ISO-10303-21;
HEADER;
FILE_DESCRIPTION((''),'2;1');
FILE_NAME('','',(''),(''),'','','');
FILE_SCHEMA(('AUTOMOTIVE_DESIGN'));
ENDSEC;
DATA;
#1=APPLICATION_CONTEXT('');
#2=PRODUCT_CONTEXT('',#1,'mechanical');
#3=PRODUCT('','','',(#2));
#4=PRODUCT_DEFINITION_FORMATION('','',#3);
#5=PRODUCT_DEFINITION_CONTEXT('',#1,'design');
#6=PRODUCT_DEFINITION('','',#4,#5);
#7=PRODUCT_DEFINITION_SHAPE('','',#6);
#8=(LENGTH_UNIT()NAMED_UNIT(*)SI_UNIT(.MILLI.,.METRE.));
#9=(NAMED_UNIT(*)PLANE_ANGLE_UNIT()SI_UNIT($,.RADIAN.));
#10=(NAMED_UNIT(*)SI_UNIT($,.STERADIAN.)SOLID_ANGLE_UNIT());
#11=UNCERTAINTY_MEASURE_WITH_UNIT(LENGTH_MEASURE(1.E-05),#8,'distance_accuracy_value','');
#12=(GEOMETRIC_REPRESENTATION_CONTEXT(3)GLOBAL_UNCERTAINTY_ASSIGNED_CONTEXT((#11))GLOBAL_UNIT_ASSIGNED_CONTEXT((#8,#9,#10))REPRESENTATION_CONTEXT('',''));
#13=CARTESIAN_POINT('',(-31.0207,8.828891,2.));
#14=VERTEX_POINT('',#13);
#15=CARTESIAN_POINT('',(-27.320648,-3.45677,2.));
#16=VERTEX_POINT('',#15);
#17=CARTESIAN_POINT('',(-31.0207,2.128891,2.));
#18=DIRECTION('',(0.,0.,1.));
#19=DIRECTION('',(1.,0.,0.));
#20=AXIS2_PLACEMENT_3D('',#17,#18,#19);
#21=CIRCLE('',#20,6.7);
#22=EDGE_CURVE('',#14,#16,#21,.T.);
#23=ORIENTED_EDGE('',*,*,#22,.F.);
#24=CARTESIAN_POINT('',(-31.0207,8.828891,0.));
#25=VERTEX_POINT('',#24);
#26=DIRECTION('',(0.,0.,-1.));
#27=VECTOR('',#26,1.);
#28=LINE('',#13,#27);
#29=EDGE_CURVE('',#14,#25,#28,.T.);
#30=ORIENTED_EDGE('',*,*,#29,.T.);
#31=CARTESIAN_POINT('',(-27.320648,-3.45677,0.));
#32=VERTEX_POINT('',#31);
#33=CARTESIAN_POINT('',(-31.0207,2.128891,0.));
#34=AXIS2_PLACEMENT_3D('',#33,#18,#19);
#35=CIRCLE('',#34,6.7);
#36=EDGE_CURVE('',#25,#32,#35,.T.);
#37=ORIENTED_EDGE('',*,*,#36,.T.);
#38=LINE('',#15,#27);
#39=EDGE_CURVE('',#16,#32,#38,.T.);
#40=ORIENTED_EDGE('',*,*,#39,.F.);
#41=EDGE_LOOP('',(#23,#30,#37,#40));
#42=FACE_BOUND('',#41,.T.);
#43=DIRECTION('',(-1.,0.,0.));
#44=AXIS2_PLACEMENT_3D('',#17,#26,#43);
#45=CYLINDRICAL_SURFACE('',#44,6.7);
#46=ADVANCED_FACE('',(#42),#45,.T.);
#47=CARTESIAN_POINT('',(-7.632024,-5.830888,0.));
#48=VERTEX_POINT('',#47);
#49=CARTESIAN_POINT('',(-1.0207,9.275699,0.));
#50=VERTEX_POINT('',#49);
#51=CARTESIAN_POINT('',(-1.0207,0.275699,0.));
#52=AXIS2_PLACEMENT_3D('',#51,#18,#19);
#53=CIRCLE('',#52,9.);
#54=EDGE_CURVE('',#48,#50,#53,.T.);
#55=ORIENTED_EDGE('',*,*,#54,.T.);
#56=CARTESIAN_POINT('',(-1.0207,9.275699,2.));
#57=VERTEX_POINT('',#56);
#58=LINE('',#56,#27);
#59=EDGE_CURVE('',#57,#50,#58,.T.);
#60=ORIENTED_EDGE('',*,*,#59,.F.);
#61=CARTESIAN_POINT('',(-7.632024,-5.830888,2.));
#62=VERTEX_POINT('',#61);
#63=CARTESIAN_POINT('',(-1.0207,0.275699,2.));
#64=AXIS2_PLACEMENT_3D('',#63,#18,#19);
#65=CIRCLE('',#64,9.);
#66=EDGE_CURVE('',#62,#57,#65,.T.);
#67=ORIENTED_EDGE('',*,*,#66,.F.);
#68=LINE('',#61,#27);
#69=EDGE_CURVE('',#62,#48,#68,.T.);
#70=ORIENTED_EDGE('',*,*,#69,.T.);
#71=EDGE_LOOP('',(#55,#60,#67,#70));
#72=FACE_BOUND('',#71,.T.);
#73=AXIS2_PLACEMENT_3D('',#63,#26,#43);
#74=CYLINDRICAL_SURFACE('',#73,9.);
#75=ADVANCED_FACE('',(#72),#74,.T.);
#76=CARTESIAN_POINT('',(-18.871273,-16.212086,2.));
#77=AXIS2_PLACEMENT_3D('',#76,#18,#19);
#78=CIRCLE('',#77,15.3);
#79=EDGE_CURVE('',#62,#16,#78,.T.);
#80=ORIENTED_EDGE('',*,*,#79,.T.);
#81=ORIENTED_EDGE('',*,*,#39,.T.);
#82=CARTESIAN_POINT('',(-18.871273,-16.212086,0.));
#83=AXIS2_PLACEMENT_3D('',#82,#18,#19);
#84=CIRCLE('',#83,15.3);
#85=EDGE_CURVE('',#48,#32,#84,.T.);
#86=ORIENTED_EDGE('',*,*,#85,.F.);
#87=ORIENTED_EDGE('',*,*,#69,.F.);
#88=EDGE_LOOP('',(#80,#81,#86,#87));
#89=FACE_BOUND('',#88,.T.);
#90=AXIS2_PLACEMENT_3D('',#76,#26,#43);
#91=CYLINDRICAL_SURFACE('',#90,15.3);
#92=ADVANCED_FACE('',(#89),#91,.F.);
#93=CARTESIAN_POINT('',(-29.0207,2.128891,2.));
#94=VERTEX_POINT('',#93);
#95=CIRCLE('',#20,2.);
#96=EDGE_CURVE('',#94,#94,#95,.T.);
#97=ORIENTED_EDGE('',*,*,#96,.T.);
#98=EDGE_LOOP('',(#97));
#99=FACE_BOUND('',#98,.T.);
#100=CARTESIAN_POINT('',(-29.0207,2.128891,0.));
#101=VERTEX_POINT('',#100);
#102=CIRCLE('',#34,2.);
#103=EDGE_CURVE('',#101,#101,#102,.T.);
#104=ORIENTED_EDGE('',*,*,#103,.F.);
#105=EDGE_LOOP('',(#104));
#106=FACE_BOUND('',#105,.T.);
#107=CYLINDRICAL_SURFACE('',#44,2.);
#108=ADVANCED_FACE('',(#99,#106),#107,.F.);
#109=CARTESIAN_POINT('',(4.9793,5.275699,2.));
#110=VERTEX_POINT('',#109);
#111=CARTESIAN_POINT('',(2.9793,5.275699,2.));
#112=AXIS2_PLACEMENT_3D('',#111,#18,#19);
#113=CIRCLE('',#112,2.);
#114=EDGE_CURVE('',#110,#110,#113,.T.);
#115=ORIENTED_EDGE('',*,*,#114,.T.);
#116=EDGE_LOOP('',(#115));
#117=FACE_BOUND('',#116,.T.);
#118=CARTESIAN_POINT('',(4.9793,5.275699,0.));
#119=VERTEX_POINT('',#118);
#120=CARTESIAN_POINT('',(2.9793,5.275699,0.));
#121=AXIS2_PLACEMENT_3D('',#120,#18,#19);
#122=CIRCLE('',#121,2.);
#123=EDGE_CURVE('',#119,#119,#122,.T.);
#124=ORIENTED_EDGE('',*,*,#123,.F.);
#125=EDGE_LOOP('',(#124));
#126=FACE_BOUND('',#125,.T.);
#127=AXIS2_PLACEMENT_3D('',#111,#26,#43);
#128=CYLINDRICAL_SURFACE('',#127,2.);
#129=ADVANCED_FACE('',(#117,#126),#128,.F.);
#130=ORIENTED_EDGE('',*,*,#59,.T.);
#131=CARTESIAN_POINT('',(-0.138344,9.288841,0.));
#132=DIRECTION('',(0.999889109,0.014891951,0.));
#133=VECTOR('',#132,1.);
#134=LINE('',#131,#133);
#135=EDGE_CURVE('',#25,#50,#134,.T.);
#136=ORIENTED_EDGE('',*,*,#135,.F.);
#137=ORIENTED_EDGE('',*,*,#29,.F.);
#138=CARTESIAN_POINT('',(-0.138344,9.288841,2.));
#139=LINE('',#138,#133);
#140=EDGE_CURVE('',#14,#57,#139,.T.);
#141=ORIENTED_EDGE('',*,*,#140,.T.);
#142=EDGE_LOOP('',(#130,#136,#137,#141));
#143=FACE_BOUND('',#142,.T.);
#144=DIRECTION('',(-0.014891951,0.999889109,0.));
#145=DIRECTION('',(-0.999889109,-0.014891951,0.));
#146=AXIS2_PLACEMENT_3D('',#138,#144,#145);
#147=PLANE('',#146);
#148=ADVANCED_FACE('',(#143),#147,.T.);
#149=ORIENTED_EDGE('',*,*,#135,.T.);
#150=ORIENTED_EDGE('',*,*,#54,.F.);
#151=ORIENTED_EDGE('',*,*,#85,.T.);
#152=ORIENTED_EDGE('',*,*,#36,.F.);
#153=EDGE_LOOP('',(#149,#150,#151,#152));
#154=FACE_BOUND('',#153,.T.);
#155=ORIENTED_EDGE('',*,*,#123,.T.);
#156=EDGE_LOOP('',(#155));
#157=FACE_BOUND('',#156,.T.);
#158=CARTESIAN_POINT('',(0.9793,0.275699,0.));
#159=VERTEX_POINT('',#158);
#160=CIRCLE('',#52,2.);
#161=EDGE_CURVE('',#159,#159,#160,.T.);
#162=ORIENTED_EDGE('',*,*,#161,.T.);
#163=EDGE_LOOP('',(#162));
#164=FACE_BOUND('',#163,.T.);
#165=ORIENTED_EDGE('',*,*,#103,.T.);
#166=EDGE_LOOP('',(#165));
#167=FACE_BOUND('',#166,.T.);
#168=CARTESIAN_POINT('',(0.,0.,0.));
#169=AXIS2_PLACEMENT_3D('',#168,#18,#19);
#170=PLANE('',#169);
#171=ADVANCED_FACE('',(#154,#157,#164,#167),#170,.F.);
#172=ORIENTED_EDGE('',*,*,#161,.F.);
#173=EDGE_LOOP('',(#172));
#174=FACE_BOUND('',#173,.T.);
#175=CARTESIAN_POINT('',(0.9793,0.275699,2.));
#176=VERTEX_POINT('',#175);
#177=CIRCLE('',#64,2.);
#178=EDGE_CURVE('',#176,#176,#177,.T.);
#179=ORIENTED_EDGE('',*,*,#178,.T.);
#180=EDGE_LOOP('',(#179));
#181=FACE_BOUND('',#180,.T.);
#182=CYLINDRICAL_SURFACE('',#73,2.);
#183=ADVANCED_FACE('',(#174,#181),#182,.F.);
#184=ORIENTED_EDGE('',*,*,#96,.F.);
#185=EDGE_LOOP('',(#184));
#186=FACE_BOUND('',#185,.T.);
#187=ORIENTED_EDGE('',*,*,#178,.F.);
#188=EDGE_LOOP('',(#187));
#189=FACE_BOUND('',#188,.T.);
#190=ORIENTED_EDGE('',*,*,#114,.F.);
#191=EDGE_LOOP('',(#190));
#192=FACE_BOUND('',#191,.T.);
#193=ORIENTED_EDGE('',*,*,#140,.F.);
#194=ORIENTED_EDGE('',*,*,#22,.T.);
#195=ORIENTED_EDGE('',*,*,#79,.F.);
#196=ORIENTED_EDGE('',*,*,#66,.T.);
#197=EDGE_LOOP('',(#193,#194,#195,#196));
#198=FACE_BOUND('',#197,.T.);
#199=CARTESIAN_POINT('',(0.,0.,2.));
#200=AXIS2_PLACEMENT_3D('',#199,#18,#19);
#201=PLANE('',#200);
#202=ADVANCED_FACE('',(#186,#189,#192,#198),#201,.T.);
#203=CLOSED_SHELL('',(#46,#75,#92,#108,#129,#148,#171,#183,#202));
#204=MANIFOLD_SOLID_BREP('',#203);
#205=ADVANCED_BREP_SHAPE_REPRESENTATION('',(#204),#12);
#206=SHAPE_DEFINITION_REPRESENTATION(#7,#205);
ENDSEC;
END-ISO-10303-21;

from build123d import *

# Parameters (mm, degrees)
SKETCH1_R           = 2
BOSS_EXTRUDE1_DEPTH = 2


with BuildPart() as part:
    # Sketch1 → Boss-Extrude1 (new body)
    with BuildSketch(Plane.XY):
        with BuildLine():
            Line((-1.2887257, 9.27170727), (-31.0207003, 8.828891045))
            ThreePointArc((-31.0207003, 8.828891045), (-37.4360697, 0.196784564), (-27.320647525, -3.456770014))
            ThreePointArc((-27.320647525, -3.456770014), (-17.039618289, -1.022120458), (-7.632023625, -5.830887792))
            ThreePointArc((-7.632023625, -5.830887792), (7.224276423, -3.332674299), (-1.0207003, 9.275699134))
            Line((-1.0207003, 9.275699134), (-1.2887257, 9.27170727))
        make_face()
        with Locations((-31.0207003, 2.128891045)):
            Circle(SKETCH1_R, mode=Mode.SUBTRACT)
        with Locations((-1.0207003, 0.275699134)):
            Circle(SKETCH1_R, mode=Mode.SUBTRACT)
        with Locations((2.9792997, 5.275699134)):
            Circle(SKETCH1_R, mode=Mode.SUBTRACT)
    extrude(amount=BOSS_EXTRUDE1_DEPTH)


solid = part.part
